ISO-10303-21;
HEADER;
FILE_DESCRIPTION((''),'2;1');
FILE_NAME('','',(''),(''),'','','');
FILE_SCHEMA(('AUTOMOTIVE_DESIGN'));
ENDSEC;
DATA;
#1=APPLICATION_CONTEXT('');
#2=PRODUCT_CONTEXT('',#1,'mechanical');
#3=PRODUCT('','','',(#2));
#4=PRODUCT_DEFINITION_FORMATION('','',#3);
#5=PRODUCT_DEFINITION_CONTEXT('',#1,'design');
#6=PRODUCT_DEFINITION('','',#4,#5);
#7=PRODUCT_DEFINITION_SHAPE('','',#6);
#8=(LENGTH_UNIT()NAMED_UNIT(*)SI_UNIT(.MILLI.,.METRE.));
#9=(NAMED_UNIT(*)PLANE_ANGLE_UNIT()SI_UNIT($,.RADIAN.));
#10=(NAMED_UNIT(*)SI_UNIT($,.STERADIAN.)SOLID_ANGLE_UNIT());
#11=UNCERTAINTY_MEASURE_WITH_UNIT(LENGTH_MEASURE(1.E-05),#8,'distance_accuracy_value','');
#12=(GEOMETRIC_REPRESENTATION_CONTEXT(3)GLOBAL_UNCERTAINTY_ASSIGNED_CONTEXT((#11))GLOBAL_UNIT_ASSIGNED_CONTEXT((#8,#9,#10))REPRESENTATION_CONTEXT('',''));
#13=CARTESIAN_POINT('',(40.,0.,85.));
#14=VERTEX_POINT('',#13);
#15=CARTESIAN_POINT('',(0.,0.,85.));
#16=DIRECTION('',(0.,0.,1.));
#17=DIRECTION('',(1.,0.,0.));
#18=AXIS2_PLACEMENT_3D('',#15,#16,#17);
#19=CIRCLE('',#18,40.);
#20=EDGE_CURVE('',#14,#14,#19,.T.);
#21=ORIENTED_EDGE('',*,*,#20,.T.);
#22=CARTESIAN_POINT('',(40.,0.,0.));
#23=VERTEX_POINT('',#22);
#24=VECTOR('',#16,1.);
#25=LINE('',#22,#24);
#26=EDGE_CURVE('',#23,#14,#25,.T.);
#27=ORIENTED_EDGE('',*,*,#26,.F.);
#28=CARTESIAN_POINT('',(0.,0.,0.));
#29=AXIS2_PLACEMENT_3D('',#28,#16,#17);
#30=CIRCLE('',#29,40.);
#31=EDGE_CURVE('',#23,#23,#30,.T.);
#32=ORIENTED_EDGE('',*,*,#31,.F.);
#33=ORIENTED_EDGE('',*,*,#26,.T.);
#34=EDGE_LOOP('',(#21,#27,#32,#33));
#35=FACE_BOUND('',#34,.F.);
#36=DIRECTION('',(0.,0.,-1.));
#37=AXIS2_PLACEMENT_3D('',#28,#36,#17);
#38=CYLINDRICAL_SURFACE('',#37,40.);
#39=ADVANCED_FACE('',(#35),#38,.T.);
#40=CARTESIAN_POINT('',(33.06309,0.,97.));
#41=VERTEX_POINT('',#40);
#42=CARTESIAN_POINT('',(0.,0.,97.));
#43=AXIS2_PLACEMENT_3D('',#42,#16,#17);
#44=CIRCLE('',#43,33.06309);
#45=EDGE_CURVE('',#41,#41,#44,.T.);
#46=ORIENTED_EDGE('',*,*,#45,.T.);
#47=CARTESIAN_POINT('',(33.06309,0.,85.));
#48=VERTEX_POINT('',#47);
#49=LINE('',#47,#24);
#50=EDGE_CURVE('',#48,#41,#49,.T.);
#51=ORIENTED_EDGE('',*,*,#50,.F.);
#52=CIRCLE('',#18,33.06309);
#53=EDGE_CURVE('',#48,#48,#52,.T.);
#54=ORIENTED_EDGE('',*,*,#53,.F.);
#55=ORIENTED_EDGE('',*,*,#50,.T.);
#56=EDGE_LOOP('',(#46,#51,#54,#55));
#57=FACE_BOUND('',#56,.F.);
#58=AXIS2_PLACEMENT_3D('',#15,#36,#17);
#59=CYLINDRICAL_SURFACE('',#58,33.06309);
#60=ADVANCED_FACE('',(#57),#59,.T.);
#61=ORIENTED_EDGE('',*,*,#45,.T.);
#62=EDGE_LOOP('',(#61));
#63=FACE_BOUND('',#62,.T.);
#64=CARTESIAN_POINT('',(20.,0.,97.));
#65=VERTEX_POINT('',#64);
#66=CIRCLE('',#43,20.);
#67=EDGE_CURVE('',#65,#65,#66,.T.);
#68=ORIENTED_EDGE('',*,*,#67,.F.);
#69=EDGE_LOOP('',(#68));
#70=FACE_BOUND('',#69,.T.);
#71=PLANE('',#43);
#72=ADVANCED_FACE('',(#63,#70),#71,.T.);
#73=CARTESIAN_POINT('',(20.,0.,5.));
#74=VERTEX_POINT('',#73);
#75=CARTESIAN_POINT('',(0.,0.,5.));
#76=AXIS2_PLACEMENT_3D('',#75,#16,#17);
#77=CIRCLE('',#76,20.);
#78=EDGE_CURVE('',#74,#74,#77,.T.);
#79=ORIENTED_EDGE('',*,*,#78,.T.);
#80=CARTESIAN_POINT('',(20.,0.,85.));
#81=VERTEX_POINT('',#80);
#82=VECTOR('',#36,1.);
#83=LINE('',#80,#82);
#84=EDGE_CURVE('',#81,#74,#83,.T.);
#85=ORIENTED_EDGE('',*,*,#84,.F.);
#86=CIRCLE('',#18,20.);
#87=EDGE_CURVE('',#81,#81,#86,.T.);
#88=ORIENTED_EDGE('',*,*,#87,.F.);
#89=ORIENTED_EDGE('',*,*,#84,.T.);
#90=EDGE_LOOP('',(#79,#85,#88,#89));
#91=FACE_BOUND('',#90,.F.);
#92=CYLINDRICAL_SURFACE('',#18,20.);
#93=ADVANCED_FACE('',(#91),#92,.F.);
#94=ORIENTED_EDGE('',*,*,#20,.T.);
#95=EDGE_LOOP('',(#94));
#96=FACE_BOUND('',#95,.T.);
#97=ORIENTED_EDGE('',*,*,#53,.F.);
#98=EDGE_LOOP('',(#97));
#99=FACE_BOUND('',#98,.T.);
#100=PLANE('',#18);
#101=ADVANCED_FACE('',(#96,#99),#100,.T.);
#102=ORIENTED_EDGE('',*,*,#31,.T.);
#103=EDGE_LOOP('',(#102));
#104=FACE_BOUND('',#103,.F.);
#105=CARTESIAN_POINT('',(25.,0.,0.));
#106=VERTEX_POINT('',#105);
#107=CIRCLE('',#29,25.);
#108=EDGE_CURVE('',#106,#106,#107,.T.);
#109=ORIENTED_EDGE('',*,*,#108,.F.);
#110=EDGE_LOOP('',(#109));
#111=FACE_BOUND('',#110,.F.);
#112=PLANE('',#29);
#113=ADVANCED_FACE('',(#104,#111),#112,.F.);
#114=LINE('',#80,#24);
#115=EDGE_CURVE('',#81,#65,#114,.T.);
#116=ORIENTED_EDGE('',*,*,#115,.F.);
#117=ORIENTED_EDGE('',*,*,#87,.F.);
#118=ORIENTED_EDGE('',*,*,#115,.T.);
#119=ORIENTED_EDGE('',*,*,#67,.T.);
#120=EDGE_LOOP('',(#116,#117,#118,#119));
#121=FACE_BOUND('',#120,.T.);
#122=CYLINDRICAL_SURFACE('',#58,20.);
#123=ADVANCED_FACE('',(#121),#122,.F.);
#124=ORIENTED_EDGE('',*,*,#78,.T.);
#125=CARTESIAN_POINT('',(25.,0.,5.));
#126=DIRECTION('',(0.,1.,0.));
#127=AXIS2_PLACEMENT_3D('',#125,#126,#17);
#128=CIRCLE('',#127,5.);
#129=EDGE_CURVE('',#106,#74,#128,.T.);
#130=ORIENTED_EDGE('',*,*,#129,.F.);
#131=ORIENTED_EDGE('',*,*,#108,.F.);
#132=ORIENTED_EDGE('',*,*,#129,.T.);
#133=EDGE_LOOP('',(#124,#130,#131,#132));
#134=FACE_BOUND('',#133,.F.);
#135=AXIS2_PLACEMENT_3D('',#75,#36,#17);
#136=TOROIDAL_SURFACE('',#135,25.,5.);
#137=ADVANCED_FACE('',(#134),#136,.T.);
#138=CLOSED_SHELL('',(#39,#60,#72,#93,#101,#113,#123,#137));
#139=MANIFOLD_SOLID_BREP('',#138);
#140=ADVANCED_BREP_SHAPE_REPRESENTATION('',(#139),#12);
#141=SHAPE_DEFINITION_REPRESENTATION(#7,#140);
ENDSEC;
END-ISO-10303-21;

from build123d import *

# Parameters (mm, degrees)
F0_R     = 40
F1_DEPTH = 85
F2_R     = 20
F3_DEPTH = 88
F4_R     = 5
F5_R     = 33.0630902993
F5_R_2   = 20
F6_DEPTH = 12


with BuildPart() as f1:
    # F0 (on Top) → F1 (new body)
    with BuildSketch(Plane.XY):
        Circle(F0_R)
    extrude(amount=F1_DEPTH)

    # F2 (on face) → F3 (cut)
    with BuildSketch(Plane.XY.offset(85)):
        Circle(F2_R)
    extrude(amount=-F3_DEPTH, mode=Mode.SUBTRACT)

    # F4
    f4_edges = [f1.edges().sort_by_distance(p)[0] for p in [
        (-20, 0, 0),
    ]]
    fillet(f4_edges, radius=F4_R)

    # F5 (on face) → F6 (join)
    with BuildSketch(Plane.XY.offset(85)):
        Circle(F5_R)
        Circle(F5_R_2, mode=Mode.SUBTRACT)
    extrude(amount=F6_DEPTH)


solid = f1.part
